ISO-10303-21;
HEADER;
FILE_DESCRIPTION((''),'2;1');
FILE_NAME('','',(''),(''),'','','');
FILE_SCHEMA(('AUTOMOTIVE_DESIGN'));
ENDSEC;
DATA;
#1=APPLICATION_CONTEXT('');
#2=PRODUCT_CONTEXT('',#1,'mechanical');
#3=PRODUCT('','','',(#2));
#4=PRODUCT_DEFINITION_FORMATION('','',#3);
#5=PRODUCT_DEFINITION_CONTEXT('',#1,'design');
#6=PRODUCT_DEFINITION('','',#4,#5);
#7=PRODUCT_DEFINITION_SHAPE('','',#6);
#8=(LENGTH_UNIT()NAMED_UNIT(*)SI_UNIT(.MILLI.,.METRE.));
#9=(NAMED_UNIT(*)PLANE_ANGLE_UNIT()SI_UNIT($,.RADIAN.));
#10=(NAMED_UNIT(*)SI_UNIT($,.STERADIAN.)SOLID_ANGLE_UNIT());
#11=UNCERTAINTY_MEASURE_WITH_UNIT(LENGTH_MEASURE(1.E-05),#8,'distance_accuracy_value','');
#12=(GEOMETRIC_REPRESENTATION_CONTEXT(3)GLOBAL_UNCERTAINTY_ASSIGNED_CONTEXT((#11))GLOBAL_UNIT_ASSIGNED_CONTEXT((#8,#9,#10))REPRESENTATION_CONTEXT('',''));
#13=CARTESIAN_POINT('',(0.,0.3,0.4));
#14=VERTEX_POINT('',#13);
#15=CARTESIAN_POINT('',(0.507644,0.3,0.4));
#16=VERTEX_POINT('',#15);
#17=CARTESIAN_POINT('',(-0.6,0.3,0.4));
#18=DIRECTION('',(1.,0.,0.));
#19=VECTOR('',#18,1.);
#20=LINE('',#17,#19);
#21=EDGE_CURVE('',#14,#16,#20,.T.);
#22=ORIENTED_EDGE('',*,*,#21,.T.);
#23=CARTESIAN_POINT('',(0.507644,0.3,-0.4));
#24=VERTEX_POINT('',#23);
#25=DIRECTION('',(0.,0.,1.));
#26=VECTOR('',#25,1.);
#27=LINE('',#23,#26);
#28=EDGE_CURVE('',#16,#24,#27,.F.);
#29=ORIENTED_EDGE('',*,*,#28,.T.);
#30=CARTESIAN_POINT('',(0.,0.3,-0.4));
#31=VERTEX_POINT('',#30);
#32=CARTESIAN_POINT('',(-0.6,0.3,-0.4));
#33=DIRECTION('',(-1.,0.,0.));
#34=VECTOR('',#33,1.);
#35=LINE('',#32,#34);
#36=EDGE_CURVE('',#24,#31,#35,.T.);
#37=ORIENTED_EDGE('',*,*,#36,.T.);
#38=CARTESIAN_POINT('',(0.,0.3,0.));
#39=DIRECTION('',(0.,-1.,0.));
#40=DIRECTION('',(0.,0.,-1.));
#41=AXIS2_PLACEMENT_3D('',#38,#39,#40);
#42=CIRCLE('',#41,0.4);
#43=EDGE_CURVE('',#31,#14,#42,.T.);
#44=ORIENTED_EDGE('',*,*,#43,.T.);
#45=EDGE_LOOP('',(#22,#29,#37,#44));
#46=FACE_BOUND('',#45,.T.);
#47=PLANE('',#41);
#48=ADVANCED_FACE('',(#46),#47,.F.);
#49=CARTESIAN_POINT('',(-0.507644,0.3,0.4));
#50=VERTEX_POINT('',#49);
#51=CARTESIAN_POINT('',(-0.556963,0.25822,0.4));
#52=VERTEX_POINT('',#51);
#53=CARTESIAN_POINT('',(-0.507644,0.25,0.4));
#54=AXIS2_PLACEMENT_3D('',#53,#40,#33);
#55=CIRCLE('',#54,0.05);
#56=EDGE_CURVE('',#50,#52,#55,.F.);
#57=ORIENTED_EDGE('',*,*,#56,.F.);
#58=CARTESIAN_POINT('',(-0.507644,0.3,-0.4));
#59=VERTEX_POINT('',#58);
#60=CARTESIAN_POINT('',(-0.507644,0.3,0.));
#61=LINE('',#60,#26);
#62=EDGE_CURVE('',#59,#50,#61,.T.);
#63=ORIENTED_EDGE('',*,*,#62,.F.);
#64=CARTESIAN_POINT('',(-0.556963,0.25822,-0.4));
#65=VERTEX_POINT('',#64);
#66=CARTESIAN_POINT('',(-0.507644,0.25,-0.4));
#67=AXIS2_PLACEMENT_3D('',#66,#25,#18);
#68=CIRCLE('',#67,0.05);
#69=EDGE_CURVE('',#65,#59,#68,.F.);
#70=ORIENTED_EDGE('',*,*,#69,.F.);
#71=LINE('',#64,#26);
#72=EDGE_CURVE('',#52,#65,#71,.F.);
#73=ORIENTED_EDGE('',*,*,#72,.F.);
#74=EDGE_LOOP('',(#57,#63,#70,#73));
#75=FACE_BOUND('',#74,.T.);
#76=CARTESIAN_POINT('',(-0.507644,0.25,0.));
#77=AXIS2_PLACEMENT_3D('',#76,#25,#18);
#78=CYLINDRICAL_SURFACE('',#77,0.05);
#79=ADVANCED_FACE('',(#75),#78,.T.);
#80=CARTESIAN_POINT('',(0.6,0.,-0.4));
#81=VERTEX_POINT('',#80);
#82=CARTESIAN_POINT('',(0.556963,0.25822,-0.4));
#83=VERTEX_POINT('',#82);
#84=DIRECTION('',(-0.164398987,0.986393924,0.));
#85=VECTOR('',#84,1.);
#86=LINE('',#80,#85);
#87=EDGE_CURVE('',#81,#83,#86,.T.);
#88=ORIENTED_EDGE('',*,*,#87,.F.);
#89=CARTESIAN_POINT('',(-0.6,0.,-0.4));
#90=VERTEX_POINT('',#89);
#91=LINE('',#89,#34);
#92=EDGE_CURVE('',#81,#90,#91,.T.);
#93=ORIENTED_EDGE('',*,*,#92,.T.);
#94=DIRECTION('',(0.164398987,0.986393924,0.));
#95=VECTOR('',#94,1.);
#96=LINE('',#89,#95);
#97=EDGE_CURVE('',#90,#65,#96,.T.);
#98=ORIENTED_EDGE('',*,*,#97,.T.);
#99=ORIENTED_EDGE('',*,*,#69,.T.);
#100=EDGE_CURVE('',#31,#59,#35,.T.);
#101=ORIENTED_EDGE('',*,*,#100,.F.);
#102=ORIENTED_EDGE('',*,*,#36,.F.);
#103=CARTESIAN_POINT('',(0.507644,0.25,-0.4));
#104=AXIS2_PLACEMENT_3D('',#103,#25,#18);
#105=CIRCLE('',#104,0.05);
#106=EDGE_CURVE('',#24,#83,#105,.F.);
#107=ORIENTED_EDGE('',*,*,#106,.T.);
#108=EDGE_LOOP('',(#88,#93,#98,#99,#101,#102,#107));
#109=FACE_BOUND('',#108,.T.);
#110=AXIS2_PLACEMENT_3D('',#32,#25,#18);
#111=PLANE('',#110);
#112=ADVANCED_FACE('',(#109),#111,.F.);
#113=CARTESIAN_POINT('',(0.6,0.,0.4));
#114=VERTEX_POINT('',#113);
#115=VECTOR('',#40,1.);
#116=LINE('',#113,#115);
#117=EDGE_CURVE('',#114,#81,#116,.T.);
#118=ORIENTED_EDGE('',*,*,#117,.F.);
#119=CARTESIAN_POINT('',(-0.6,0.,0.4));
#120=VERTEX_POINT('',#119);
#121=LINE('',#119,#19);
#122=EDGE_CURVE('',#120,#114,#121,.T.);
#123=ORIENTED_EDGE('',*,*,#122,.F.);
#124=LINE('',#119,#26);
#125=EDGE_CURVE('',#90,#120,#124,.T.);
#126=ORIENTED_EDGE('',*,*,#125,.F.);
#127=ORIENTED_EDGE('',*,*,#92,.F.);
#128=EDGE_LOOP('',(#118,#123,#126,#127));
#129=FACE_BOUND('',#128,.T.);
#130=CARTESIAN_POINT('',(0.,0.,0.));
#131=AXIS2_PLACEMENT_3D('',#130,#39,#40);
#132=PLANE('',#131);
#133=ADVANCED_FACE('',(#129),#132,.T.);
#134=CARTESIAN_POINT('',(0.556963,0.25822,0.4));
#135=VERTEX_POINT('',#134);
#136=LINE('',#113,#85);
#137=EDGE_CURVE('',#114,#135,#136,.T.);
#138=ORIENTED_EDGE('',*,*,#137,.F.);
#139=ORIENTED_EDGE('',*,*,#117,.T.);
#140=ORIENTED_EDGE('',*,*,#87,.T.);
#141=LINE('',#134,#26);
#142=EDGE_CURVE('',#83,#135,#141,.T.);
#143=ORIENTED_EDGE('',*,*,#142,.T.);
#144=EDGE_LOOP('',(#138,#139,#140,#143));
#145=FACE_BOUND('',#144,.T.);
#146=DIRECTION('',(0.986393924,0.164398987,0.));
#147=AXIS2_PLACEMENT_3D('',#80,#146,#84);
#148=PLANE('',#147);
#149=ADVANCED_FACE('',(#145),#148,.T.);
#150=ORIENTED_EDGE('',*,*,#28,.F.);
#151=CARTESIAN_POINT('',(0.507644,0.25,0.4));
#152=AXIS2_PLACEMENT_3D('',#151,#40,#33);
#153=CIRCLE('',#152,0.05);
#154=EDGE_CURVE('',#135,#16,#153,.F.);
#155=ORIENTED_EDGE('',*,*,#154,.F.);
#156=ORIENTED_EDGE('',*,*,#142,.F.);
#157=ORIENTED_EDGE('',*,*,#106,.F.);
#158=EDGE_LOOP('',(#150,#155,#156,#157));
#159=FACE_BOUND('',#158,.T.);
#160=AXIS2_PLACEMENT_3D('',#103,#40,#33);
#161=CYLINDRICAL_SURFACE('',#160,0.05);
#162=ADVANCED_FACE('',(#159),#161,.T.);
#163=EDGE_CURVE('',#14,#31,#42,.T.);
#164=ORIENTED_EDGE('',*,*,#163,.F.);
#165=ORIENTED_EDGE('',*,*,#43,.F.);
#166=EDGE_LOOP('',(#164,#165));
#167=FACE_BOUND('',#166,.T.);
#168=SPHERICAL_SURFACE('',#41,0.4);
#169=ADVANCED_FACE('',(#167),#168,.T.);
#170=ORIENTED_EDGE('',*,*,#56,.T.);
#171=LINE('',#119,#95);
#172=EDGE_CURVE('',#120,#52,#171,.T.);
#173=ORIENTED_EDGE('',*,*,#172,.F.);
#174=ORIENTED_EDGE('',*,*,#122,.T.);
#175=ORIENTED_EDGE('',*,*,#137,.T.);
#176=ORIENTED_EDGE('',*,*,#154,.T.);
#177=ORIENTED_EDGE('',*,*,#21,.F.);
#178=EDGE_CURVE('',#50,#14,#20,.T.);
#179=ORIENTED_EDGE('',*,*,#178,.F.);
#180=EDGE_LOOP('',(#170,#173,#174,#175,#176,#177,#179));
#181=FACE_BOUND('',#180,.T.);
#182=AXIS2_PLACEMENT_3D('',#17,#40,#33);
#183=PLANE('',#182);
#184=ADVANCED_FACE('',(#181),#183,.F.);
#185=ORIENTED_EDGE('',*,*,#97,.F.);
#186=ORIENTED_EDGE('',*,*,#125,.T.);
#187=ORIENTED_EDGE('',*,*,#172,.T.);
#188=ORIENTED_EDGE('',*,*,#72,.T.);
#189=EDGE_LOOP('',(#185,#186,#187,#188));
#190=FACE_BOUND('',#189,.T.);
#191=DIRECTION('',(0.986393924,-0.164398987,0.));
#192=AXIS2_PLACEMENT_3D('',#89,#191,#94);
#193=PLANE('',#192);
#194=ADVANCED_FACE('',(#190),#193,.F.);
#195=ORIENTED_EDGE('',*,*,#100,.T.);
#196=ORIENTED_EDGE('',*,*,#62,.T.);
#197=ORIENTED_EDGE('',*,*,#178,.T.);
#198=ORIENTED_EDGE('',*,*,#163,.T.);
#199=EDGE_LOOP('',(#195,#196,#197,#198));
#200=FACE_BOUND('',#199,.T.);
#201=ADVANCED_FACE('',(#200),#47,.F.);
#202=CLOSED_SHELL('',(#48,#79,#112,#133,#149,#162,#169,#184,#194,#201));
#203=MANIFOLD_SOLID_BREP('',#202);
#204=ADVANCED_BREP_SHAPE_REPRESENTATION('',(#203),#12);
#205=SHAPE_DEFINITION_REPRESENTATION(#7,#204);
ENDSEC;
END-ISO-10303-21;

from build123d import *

# Parameters (mm, degrees)
SKETCH1_W           = 1.2
SKETCH1_H           = 0.8
BOSS_EXTRUDE1_DEPTH = 0.3
CUT_EXTRUDE1_DEPTH  = 1.8
FILLET1_R           = 0.05


with BuildPart() as part:
    # Sketch1 → Boss-Extrude1 (new body)
    with BuildSketch(Plane(origin=(0, 0, 0), x_dir=(1, 0, 0), z_dir=(0, 1, 0))):
        Rectangle(SKETCH1_W, SKETCH1_H)
    extrude(amount=BOSS_EXTRUDE1_DEPTH)

    # Sketch5 → Revolve1 (revolve)
    with BuildSketch(Plane(origin=(0, 0, 0), x_dir=(0, 0, -1), z_dir=(1, 0, 0))):
        with BuildLine():
            Line((0, 0), (0, 0.7))
            ThreePointArc((0, 0.7), (0.282842712, 0.582842712), (0.4, 0.3))
            Line((0.4, 0.3), (0.4, 0))
            Line((0.4, 0), (0, 0))
        make_face()
    revolve(axis=Axis((0, 0, 0), (0, 1, 0)))

    # Sketch4 → Cut-Extrude1 (cut, through all)
    with BuildSketch(Plane.XY.offset(0.4)):
        Polygon((-0.6, 0), (-0.55, 0.3), (-0.6, 0.3), align=None)
    cut_extrude1 = extrude(amount=-CUT_EXTRUDE1_DEPTH, mode=Mode.SUBTRACT)

    # Mirror1: Cut-Extrude1 across plane
    add(cut_extrude1.mirror(Plane(origin=(0, 0, 0), x_dir=(0, 0, 1), z_dir=(1, 0, 0))), mode=Mode.SUBTRACT)

    # Fillet1
    fillet1_edges = [part.edges().sort_by_distance(p)[0] for p in [
        (-0.55, 0.3, 0),
        (0.55, 0.3, 0),
    ]]
    fillet(fillet1_edges, radius=FILLET1_R)


solid = part.part
